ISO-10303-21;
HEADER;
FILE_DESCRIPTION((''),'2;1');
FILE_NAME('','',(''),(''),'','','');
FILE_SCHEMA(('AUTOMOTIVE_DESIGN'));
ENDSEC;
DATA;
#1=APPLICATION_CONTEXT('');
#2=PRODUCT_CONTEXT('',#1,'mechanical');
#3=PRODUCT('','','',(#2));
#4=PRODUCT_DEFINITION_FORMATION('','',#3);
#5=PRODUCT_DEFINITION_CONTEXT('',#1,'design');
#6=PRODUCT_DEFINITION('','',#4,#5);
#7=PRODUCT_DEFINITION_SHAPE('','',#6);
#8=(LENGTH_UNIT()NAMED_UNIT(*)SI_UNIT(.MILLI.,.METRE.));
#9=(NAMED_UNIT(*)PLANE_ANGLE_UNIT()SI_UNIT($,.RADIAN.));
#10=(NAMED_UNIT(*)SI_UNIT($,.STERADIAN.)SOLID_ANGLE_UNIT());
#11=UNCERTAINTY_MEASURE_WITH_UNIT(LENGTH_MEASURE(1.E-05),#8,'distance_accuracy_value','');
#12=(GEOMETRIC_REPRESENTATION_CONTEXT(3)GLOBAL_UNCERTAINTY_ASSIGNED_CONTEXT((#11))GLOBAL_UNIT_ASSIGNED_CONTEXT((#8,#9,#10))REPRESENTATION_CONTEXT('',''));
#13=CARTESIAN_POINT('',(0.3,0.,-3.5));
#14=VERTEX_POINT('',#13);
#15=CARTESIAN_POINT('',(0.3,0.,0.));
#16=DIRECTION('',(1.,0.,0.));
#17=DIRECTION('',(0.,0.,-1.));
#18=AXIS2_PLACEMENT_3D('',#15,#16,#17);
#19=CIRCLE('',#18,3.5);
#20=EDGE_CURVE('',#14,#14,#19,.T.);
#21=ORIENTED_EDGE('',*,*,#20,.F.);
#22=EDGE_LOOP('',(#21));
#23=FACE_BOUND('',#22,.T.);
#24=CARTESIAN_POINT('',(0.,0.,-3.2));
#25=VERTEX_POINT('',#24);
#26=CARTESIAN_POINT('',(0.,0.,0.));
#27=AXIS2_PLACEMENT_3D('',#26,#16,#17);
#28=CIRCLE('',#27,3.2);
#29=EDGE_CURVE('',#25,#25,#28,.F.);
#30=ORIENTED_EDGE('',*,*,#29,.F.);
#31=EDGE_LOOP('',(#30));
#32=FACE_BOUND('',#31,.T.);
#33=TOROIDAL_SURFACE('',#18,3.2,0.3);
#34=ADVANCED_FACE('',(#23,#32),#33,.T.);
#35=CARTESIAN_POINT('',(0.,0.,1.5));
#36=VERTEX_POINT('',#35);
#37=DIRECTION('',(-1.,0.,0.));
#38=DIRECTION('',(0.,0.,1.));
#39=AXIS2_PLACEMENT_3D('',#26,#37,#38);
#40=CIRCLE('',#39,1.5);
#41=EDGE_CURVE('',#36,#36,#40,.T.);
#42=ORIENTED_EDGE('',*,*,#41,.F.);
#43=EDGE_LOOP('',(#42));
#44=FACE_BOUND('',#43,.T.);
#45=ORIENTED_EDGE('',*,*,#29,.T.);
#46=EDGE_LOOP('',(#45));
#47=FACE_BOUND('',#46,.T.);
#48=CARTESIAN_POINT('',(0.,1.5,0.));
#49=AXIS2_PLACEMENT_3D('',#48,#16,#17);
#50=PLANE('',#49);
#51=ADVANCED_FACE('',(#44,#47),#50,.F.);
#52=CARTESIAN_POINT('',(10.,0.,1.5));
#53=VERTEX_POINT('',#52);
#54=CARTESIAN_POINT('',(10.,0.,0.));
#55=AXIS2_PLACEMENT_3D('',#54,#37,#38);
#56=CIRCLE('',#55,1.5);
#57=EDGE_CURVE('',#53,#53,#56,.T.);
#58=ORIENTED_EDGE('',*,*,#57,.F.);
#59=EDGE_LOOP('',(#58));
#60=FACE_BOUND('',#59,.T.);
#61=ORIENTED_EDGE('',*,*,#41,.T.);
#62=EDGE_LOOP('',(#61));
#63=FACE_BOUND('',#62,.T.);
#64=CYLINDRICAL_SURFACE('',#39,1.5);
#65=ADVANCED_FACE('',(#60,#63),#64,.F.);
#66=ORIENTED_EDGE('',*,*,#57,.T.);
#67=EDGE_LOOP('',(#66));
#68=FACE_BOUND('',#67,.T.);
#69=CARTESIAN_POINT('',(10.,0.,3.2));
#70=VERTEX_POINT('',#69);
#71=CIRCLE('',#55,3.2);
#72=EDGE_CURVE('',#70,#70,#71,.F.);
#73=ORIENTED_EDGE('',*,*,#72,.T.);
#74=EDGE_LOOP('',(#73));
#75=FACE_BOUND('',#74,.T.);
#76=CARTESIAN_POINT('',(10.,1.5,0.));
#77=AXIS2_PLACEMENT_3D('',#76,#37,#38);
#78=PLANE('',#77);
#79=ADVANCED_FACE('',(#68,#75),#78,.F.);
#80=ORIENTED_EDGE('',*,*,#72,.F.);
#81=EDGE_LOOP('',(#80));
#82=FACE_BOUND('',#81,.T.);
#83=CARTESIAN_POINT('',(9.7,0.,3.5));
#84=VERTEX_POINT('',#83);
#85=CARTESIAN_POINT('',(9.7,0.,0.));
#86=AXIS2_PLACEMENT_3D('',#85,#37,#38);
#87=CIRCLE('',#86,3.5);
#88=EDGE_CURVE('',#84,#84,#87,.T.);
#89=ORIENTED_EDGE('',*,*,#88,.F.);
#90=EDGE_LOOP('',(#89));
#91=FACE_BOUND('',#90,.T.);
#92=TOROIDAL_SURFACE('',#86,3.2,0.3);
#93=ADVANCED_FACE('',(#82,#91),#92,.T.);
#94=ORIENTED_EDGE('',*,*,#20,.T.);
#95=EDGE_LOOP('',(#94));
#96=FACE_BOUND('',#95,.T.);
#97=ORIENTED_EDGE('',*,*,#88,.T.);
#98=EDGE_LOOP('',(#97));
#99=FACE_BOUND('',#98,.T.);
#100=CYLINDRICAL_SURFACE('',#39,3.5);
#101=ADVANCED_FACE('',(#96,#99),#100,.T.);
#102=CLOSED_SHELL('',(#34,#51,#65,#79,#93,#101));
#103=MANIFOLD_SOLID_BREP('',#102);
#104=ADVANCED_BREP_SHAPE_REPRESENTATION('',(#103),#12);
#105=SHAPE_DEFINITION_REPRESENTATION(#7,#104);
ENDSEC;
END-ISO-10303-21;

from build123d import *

# Parameters (mm, degrees)
SKETCH1_W = 10
SKETCH1_H = 2
FILLET1_R = 0.3


with BuildPart() as part:
    # Sketch1 → Revolve1 (revolve)
    with BuildSketch(Plane.XY):
        with Locations((5, 2.5)):
            Rectangle(SKETCH1_W, SKETCH1_H)
    revolve(axis=Axis((0, 0, 0), (1, 0, 0)))

    # Fillet1
    fillet1_edges = [part.edges().sort_by_distance(p)[0] for p in [
        (0, -3.5, 0),
        (10, -3.5, 0),
    ]]
    fillet(fillet1_edges, radius=FILLET1_R)


solid = part.part
